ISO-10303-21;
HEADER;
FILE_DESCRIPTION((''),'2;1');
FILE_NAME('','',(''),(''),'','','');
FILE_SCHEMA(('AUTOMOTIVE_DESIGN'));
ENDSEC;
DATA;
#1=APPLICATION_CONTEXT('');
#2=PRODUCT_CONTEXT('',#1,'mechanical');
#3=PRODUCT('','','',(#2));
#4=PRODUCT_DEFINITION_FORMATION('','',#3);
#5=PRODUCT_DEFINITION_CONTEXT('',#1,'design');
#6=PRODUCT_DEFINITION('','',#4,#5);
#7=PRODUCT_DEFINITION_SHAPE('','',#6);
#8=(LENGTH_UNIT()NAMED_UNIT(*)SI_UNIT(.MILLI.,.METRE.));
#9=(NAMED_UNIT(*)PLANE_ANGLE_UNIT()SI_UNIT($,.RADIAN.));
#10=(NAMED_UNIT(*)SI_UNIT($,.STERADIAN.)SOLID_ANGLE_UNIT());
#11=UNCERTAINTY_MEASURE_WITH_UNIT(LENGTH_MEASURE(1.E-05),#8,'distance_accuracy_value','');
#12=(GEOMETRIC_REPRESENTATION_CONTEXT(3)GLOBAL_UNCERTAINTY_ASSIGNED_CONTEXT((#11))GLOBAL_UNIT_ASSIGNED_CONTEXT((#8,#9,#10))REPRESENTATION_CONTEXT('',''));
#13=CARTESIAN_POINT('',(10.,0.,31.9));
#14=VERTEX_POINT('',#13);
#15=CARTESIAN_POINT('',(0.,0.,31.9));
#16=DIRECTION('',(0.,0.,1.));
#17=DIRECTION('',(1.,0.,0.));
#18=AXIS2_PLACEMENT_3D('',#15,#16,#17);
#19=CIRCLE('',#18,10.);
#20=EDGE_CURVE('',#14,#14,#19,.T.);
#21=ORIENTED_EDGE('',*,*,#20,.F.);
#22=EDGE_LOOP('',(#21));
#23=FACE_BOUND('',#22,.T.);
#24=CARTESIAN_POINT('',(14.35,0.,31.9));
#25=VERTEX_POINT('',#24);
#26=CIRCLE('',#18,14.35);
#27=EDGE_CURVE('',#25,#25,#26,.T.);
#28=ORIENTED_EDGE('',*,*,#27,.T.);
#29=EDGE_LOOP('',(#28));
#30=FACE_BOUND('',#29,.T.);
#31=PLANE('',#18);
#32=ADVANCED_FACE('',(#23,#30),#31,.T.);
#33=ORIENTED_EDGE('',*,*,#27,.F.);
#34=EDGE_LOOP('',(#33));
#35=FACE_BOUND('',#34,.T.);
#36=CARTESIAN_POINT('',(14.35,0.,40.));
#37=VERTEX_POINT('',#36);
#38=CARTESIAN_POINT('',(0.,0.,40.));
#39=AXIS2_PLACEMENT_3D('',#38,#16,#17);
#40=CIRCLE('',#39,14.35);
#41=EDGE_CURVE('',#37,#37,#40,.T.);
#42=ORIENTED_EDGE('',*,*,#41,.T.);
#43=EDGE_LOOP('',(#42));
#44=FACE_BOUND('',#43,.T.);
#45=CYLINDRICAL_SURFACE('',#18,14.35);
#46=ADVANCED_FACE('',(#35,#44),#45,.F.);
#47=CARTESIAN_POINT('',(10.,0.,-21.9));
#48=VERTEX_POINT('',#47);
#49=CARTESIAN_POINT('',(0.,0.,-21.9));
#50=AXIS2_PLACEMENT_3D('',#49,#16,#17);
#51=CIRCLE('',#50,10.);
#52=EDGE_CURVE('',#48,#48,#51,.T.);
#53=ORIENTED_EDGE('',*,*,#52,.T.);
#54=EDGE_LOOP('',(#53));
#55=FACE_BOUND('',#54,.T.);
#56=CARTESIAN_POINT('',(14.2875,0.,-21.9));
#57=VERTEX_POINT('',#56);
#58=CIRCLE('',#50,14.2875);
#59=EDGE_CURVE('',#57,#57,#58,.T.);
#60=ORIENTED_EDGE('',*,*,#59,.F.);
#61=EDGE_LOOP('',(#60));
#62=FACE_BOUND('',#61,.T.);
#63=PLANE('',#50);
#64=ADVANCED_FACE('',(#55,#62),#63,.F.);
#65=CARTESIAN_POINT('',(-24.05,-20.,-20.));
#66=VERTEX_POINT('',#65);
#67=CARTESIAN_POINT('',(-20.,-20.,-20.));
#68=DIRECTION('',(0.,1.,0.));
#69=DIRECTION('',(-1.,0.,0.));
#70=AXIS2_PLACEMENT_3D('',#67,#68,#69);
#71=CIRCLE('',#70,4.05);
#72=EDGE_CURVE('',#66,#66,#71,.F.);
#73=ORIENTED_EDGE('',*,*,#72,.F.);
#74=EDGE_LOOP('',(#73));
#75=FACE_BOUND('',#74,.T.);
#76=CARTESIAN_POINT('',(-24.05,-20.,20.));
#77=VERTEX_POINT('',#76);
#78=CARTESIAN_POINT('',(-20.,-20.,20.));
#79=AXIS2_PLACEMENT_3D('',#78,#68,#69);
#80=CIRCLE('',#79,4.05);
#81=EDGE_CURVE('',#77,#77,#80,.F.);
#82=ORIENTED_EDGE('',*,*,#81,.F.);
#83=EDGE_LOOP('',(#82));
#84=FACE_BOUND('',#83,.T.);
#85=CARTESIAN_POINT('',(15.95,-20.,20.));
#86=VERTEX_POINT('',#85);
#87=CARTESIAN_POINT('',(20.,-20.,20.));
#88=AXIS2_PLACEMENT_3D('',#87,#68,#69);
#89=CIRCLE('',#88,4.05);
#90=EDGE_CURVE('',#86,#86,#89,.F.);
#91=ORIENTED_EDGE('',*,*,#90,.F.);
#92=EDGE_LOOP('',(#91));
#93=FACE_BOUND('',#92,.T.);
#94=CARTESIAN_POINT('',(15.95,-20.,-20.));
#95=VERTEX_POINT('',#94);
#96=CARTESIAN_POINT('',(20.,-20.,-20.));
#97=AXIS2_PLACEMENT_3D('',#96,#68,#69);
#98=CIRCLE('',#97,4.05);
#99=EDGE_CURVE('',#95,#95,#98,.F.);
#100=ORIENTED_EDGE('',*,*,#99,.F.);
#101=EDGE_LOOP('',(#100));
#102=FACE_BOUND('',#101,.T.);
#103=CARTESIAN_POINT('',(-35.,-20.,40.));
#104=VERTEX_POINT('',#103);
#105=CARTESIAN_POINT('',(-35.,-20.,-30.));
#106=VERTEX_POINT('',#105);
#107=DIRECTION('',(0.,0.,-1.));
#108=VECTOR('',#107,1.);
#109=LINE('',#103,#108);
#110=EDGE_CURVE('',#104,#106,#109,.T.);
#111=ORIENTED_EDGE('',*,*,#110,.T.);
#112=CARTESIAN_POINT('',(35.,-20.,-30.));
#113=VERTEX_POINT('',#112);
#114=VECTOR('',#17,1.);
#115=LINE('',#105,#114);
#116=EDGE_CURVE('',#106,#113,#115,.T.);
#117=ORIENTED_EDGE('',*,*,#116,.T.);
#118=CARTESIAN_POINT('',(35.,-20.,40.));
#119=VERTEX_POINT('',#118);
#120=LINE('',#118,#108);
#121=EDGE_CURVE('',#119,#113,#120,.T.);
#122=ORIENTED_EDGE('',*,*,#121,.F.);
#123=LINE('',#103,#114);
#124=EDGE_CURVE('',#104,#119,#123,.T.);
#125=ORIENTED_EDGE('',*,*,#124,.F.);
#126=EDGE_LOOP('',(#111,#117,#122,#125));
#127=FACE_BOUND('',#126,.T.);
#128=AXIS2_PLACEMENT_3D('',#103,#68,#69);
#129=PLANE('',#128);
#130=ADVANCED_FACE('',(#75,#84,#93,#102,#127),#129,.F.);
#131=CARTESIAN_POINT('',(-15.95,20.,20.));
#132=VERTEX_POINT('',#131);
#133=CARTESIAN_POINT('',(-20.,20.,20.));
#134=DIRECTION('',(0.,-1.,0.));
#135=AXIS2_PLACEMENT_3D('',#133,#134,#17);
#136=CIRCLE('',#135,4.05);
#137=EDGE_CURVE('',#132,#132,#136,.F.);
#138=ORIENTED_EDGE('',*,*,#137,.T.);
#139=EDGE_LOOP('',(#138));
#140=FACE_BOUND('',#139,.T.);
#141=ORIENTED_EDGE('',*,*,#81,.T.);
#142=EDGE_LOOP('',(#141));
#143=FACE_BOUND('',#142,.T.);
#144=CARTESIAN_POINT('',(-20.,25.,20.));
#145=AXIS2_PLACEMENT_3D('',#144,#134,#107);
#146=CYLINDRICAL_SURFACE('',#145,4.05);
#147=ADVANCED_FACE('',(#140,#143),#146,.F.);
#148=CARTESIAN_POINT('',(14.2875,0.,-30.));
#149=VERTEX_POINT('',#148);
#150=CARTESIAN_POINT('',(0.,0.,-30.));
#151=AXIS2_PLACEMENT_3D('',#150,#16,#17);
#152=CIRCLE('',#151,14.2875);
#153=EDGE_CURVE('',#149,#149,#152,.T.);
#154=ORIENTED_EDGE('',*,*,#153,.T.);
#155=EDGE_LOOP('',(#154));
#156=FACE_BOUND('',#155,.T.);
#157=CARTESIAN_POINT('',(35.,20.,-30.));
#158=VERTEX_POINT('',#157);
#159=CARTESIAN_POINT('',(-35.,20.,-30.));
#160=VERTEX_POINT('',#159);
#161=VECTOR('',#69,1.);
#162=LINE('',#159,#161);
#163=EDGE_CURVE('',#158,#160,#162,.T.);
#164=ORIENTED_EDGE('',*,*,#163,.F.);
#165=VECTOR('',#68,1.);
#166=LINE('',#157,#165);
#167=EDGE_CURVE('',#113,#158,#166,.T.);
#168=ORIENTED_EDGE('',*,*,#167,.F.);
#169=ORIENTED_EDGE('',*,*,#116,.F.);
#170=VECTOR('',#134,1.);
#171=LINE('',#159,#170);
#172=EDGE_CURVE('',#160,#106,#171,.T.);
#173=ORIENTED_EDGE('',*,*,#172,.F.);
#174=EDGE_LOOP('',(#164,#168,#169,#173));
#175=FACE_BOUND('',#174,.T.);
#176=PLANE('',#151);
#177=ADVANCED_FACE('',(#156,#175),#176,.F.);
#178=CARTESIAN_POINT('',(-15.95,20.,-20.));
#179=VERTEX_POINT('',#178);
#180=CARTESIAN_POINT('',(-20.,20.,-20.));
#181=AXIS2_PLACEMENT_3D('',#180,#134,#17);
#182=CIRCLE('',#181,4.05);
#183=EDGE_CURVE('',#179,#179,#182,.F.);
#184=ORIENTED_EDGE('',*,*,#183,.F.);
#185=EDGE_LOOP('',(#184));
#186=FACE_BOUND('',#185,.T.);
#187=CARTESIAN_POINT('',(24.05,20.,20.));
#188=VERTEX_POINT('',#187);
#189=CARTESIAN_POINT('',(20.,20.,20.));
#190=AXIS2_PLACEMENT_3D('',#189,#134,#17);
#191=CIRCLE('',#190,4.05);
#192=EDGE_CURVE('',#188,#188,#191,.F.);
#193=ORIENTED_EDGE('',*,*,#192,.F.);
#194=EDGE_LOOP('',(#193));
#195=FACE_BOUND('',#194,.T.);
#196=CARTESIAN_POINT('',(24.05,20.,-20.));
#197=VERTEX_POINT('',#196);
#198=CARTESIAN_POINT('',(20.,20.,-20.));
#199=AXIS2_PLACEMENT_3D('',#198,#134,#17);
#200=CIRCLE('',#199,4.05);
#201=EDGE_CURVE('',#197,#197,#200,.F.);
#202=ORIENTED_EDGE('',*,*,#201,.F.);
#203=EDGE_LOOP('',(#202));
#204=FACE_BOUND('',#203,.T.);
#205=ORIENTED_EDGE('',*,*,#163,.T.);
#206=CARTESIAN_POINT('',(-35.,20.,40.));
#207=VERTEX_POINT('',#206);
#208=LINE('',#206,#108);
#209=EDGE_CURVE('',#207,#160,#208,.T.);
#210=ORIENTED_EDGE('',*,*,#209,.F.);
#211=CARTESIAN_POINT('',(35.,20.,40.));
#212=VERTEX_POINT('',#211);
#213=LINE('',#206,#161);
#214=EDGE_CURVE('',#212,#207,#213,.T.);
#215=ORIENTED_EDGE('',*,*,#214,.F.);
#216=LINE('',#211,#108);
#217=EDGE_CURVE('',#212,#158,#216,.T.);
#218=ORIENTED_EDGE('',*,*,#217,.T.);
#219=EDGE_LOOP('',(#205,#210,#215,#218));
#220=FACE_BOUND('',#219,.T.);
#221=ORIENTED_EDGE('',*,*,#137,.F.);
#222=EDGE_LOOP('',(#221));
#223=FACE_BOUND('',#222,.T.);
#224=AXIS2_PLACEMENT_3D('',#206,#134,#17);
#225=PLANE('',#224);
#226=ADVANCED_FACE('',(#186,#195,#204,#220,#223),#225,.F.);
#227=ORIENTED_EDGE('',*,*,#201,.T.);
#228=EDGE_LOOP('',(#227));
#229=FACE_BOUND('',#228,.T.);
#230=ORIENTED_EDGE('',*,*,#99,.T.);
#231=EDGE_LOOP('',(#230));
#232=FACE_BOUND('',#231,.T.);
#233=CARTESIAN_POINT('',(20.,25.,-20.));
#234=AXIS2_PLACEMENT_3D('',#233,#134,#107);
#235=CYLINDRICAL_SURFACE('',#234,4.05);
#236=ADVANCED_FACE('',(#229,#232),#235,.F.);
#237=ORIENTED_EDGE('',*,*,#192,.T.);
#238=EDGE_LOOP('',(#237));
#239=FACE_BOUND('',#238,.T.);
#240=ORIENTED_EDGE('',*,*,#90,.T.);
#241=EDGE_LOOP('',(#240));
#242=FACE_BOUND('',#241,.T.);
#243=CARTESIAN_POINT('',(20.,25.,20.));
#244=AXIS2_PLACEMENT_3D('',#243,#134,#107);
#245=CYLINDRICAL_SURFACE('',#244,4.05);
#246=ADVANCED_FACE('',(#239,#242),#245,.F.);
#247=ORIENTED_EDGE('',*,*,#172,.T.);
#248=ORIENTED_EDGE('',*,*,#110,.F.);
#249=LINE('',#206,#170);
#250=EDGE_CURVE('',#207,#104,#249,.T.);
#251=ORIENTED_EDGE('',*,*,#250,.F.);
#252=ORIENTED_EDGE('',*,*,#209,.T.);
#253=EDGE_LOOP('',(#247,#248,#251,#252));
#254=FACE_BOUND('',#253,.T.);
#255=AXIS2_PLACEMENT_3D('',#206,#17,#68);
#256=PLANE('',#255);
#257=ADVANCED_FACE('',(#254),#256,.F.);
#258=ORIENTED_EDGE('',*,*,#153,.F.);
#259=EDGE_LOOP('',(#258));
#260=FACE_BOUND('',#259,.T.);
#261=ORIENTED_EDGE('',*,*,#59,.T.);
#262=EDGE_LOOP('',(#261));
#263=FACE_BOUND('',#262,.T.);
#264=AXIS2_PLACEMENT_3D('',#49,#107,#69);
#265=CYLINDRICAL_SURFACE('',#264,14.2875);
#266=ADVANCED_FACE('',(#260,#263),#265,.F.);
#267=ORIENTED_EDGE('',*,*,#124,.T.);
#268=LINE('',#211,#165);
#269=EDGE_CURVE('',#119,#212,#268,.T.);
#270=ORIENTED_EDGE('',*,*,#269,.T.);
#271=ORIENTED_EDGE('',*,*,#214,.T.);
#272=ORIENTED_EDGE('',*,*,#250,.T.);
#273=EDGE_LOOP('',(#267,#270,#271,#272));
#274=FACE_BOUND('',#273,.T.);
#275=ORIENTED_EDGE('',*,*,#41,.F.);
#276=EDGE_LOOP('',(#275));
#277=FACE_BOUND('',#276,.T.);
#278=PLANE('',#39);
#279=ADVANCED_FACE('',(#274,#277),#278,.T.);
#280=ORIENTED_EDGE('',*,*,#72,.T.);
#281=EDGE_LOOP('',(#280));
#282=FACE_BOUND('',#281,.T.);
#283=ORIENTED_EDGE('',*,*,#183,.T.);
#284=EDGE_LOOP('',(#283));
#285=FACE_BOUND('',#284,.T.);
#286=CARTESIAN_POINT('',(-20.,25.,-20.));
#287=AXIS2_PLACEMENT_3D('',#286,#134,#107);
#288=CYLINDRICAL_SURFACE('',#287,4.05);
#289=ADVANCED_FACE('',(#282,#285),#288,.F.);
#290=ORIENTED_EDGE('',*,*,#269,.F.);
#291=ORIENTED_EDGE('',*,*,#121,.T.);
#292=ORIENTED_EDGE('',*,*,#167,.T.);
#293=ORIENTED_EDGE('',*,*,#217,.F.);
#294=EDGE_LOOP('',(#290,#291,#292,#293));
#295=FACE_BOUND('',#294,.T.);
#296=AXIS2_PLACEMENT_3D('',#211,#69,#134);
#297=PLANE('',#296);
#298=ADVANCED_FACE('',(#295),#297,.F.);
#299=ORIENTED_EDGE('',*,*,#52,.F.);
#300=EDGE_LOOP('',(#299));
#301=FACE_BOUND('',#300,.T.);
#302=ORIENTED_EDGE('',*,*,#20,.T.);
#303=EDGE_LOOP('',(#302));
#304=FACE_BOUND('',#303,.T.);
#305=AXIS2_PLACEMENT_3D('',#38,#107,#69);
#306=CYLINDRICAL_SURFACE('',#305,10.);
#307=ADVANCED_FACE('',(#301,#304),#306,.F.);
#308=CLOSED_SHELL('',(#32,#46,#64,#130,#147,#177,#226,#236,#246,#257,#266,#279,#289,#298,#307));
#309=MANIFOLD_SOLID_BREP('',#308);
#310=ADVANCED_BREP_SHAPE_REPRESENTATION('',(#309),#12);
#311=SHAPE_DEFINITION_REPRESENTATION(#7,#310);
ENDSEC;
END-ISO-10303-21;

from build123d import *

# Parameters (mm, degrees)
BOSS_EXTRUDE1_DEPTH      = 40
BOSS_EXTRUDE1_DEPTH_BACK = 30
SKETCH1_W                = 70
SKETCH1_H                = 40
SKETCH1_R                = 10
CUT_EXTRUDE1_DEPTH       = 25
CUT_EXTRUDE1_DEPTH_BACK  = 25
SKETCH2_R                = 4.05
CUT_EXTRUDE2_START       = 40
SKETCH3_R                = 14.35
CUT_EXTRUDE2_DEPTH       = 8.1
CUT_EXTRUDE3_START       = -30
SKETCH4_R                = 14.2875
CUT_EXTRUDE3_DEPTH       = 8.1


with BuildPart() as part:
    # Sketch1 → Boss-Extrude1 (new, two sides: drawn at the far end of the back side and taken through both)
    with BuildSketch(Plane.XY.offset(-BOSS_EXTRUDE1_DEPTH_BACK)):
        Rectangle(SKETCH1_W, SKETCH1_H)
        Circle(SKETCH1_R, mode=Mode.SUBTRACT)
    extrude(amount=BOSS_EXTRUDE1_DEPTH + BOSS_EXTRUDE1_DEPTH_BACK)

    # Sketch2 → Cut-Extrude1 (cut, two sides: drawn at the far end of the back side and taken through both)
    with BuildSketch(Plane(origin=(0, 0, 0), x_dir=(1, 0, 0), z_dir=(0, 1, 0)).offset(-CUT_EXTRUDE1_DEPTH_BACK)):
        with Locations((-20, 20)):
            Circle(SKETCH2_R)
        with Locations((20, 20)):
            Circle(SKETCH2_R)
        with Locations((-20, -20)):
            Circle(SKETCH2_R)
        with Locations((20, -20)):
            Circle(SKETCH2_R)
    extrude(amount=CUT_EXTRUDE1_DEPTH + CUT_EXTRUDE1_DEPTH_BACK, mode=Mode.SUBTRACT)

    # Sketch3 → Cut-Extrude2 (cut)
    with BuildSketch(Plane.XY.offset(CUT_EXTRUDE2_START)):
        Circle(SKETCH3_R)
    extrude(amount=-CUT_EXTRUDE2_DEPTH, mode=Mode.SUBTRACT)

    # Sketch4 → Cut-Extrude3 (cut)
    with BuildSketch(Plane.XY.offset(CUT_EXTRUDE3_START)):
        Circle(SKETCH4_R)
    extrude(amount=CUT_EXTRUDE3_DEPTH, mode=Mode.SUBTRACT)


solid = part.part
